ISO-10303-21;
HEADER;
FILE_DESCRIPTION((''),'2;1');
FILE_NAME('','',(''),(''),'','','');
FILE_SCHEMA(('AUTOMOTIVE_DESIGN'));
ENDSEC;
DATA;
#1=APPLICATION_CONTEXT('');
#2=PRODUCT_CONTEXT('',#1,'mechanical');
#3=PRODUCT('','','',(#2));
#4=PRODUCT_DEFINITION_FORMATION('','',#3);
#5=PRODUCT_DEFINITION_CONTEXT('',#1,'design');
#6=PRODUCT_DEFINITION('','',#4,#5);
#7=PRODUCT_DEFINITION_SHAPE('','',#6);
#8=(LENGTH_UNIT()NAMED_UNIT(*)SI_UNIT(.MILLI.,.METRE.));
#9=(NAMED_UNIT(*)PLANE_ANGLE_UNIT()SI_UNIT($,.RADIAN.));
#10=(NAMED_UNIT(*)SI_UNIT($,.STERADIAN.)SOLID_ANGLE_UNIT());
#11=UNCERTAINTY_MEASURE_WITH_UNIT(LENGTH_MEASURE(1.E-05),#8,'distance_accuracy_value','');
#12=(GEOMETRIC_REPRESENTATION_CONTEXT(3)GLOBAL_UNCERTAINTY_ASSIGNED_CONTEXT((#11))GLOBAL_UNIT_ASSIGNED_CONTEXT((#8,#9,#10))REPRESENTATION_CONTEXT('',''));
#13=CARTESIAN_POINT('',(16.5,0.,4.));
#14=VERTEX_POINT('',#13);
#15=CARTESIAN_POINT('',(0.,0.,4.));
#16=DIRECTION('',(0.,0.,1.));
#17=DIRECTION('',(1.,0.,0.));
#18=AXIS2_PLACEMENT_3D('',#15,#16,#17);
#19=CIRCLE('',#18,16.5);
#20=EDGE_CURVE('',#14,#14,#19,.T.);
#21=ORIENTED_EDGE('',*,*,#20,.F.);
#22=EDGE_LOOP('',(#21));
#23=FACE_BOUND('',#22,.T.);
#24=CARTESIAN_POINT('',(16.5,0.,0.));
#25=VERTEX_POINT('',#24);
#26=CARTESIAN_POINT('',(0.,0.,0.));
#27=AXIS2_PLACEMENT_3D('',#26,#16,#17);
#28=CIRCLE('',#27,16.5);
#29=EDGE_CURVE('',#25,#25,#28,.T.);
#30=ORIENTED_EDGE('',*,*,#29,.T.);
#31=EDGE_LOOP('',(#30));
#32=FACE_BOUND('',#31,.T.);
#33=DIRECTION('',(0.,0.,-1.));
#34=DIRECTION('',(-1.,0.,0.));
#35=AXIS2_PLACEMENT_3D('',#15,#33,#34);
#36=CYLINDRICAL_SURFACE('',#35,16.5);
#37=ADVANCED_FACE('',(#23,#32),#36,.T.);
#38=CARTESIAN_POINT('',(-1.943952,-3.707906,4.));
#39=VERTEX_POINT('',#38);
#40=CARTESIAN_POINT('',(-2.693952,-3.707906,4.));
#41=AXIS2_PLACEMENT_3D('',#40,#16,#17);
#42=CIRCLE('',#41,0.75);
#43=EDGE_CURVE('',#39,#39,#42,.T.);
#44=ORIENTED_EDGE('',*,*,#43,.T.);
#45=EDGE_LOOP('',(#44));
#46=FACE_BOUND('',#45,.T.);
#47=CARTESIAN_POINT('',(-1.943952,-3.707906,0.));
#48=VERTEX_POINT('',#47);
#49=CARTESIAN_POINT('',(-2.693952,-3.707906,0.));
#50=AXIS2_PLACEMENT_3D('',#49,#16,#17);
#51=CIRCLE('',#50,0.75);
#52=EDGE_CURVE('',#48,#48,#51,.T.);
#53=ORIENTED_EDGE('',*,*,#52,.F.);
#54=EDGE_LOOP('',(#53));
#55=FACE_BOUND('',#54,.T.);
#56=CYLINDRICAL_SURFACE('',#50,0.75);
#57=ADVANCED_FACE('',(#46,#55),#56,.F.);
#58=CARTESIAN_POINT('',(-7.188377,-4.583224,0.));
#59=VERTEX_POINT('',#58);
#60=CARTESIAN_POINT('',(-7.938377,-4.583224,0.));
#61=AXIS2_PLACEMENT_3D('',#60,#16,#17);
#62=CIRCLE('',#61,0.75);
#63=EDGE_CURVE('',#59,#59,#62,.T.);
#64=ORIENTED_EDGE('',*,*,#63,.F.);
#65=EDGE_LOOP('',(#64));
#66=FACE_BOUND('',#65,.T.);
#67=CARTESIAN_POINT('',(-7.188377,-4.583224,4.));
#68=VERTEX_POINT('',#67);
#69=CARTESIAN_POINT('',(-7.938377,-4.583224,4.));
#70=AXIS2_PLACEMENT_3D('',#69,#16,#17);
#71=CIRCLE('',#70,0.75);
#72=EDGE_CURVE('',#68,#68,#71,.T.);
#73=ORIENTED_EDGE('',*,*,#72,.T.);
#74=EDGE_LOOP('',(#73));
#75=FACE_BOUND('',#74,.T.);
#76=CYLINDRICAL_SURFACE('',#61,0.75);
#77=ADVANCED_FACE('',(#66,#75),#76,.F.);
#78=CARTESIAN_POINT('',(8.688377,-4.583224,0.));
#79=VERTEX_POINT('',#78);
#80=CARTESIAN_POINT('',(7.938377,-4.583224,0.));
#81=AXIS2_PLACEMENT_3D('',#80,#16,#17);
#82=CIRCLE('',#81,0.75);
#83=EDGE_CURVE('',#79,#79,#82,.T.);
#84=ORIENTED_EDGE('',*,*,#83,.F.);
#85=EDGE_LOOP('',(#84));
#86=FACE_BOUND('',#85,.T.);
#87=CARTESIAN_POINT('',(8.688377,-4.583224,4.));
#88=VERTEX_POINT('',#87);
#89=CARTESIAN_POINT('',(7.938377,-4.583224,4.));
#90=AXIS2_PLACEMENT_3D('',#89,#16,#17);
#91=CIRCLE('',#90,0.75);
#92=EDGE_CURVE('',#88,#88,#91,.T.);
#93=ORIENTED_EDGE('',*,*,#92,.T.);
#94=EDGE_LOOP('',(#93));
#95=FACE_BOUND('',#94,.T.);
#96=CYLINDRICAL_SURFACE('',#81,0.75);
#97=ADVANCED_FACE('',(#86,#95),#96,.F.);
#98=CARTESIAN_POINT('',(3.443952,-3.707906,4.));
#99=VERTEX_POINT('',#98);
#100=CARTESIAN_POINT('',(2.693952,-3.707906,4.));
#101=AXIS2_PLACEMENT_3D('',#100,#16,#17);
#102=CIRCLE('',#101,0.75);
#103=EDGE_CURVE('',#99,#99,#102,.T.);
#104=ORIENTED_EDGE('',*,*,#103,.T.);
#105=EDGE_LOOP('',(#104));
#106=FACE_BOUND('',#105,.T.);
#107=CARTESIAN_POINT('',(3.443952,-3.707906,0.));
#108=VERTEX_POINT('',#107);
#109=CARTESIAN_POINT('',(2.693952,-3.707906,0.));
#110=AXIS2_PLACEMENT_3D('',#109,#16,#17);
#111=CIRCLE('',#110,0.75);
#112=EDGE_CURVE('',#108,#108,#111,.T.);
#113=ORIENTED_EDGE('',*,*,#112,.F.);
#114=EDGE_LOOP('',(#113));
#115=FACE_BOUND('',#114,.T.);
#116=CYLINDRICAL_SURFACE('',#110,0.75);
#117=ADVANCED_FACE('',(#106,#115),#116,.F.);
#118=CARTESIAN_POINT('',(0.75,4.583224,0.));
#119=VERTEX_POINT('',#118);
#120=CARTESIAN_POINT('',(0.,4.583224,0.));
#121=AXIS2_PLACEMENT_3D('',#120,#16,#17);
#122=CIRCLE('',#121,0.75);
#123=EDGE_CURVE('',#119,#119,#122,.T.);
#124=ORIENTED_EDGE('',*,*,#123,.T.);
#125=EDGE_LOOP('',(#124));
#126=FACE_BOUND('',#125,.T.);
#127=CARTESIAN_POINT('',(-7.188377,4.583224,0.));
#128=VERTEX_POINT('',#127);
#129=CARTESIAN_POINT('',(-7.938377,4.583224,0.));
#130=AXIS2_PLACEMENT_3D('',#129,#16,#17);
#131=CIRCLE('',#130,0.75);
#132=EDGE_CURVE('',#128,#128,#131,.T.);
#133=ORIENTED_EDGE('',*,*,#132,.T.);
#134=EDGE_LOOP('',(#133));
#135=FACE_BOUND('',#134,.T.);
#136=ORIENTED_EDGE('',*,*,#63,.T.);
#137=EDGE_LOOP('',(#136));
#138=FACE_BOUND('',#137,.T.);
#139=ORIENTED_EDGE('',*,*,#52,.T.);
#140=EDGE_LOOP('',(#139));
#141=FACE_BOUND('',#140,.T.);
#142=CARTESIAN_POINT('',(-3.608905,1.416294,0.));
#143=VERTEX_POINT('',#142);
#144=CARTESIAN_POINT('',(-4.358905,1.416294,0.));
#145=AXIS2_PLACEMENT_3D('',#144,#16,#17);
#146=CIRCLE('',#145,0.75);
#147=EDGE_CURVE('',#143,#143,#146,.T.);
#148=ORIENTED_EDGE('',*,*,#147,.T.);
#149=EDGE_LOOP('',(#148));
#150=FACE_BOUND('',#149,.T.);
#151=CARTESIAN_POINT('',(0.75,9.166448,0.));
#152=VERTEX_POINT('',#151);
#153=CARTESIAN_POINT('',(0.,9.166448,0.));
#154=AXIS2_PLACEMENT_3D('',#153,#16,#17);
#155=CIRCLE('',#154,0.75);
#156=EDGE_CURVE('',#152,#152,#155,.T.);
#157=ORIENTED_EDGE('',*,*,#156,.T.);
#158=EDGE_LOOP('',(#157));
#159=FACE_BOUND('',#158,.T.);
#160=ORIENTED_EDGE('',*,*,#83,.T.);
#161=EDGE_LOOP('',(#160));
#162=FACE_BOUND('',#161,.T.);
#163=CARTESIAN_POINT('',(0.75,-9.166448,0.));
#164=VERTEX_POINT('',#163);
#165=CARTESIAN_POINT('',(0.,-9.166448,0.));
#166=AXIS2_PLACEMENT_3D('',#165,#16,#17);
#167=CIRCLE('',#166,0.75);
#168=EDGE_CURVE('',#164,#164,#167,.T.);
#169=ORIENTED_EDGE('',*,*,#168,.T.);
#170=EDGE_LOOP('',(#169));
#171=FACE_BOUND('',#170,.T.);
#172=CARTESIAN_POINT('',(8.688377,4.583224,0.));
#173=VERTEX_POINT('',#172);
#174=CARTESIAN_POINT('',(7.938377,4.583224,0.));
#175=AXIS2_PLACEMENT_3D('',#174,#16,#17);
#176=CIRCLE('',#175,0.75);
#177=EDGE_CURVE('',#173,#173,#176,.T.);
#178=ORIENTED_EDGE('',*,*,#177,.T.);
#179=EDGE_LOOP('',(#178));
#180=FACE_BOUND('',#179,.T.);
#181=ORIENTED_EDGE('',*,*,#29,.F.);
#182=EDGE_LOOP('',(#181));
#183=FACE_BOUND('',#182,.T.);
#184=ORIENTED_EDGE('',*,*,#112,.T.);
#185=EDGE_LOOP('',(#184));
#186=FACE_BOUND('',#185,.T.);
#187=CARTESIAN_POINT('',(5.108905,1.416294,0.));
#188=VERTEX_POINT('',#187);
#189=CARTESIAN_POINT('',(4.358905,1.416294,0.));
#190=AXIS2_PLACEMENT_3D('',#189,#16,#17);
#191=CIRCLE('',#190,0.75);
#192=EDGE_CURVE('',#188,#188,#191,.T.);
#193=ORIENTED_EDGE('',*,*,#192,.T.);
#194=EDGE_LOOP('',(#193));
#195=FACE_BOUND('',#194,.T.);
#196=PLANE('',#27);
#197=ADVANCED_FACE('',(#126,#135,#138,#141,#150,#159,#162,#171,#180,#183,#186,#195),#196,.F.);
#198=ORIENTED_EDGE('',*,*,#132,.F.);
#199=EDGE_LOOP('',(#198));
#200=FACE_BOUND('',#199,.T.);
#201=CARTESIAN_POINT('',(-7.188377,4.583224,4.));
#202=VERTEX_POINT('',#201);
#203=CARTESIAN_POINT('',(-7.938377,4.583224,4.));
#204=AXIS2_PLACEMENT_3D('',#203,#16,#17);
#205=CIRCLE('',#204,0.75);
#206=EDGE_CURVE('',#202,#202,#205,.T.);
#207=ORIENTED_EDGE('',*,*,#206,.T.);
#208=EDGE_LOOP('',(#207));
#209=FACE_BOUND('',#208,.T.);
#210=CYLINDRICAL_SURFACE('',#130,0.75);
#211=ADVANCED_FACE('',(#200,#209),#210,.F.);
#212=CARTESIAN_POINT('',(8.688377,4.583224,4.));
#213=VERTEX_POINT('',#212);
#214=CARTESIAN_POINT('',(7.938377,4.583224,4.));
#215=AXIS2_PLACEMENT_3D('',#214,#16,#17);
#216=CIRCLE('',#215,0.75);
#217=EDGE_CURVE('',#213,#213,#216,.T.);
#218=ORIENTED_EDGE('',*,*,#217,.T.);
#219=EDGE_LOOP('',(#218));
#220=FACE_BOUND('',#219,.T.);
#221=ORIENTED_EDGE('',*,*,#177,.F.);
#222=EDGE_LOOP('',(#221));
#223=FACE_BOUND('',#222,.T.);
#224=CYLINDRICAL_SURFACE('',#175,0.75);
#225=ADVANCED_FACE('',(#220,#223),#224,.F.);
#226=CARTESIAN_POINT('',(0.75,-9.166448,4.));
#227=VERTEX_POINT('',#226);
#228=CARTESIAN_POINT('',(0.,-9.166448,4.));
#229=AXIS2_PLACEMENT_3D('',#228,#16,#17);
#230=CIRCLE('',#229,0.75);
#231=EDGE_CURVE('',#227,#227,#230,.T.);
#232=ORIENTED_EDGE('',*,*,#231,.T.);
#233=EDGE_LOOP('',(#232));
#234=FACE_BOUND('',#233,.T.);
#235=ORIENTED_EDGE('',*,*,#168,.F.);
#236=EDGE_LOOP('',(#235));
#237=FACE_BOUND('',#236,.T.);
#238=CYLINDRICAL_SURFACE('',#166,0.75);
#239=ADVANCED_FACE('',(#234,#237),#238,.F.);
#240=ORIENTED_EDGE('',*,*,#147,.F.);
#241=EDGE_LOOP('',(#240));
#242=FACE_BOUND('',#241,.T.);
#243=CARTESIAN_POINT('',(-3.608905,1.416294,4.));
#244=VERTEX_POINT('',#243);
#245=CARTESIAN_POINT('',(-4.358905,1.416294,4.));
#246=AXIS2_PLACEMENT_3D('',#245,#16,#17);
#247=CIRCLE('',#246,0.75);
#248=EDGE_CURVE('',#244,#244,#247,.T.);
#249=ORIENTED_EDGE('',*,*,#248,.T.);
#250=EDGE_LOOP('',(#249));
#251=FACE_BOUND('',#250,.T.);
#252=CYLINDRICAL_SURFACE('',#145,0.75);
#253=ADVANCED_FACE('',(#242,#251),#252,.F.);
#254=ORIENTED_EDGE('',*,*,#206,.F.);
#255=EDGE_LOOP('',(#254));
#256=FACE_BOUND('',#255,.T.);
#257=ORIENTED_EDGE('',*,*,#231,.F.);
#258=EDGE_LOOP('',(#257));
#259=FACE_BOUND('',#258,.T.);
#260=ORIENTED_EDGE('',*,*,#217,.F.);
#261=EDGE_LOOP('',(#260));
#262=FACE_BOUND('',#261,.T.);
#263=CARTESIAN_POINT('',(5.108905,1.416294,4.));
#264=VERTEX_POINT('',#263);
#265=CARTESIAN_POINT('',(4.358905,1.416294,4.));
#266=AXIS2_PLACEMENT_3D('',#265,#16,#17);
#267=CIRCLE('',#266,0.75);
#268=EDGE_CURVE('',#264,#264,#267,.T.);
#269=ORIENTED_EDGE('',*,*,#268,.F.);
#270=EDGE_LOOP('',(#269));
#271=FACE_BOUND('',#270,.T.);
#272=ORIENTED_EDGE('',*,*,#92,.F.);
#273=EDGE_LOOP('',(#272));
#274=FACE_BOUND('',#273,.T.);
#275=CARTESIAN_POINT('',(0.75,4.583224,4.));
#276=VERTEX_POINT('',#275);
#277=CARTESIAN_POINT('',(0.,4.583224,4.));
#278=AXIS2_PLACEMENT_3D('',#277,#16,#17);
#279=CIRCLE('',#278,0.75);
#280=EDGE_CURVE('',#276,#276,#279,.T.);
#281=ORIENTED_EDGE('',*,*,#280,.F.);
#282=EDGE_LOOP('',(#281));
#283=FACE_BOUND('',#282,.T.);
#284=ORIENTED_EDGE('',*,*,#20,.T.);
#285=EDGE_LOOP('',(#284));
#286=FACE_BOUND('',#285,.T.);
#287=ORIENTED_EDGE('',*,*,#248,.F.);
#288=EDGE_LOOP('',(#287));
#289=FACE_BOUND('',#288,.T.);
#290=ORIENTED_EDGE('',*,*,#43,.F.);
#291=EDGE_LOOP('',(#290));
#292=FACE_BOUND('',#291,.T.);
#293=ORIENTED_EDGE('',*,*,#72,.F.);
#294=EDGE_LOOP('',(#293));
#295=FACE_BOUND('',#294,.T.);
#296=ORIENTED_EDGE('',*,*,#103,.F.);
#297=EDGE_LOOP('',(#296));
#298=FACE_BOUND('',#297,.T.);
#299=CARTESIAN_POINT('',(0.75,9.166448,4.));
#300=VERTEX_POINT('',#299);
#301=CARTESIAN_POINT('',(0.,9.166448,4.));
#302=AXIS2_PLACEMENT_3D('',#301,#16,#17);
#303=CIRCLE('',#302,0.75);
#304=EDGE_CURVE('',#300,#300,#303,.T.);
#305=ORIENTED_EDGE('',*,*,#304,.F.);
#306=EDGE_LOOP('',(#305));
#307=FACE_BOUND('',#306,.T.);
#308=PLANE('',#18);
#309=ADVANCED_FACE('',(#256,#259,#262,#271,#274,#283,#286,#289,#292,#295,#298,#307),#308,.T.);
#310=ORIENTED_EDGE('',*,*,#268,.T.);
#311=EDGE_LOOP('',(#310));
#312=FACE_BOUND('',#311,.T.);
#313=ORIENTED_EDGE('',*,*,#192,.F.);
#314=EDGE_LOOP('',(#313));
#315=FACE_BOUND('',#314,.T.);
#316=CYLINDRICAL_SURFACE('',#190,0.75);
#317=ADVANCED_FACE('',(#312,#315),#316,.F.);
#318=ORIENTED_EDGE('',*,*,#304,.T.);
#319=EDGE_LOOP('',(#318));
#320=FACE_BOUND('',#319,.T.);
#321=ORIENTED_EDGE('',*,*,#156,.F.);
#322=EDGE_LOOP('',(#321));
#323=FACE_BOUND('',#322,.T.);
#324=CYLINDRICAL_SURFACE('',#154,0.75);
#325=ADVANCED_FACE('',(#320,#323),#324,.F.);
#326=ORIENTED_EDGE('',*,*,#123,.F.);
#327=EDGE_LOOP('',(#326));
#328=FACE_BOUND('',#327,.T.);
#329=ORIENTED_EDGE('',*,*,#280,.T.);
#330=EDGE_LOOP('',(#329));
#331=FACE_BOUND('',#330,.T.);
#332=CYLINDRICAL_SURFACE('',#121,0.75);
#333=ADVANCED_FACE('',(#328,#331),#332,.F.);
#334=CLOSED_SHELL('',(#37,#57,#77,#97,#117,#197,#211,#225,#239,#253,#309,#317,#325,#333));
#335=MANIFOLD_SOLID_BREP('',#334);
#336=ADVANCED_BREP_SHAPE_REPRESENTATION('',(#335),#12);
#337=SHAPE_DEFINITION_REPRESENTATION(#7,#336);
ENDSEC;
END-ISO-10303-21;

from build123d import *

# Parameters (mm, degrees)
SKETCH1_R           = 16.5
BOSS_EXTRUDE1_DEPTH = 4
SKETCH2_R           = 0.75
CUT_EXTRUDE1_DEPTH  = 24.674881204


with BuildPart() as part:
    # Sketch1 → Boss-Extrude1 (new body)
    with BuildSketch(Plane.XY):
        Circle(SKETCH1_R)
    extrude(amount=BOSS_EXTRUDE1_DEPTH)

    # Sketch2 → Cut-Extrude1 (cut, through all)
    with BuildSketch(Plane.XY.offset(4)):
        with Locations((0, 9.166448404)):
            Circle(SKETCH2_R)
        with Locations((7.93837718, 4.583224202)):
            Circle(SKETCH2_R)
        with Locations((7.93837718, -4.583224202)):
            Circle(SKETCH2_R)
        with Locations((0, -9.166448404)):
            Circle(SKETCH2_R)
        with Locations((-7.93837718, -4.583224202)):
            Circle(SKETCH2_R)
        with Locations((-7.93837718, 4.583224202)):
            Circle(SKETCH2_R)
        with Locations((0, 4.583224202)):
            Circle(SKETCH2_R)
        with Locations((4.358905243, 1.416294167)):
            Circle(SKETCH2_R)
        with Locations((2.693951594, -3.707906268)):
            Circle(SKETCH2_R)
        with Locations((-2.693951594, -3.707906268)):
            Circle(SKETCH2_R)
        with Locations((-4.358905243, 1.416294167)):
            Circle(SKETCH2_R)
    extrude(amount=-CUT_EXTRUDE1_DEPTH, mode=Mode.SUBTRACT)


solid = part.part
